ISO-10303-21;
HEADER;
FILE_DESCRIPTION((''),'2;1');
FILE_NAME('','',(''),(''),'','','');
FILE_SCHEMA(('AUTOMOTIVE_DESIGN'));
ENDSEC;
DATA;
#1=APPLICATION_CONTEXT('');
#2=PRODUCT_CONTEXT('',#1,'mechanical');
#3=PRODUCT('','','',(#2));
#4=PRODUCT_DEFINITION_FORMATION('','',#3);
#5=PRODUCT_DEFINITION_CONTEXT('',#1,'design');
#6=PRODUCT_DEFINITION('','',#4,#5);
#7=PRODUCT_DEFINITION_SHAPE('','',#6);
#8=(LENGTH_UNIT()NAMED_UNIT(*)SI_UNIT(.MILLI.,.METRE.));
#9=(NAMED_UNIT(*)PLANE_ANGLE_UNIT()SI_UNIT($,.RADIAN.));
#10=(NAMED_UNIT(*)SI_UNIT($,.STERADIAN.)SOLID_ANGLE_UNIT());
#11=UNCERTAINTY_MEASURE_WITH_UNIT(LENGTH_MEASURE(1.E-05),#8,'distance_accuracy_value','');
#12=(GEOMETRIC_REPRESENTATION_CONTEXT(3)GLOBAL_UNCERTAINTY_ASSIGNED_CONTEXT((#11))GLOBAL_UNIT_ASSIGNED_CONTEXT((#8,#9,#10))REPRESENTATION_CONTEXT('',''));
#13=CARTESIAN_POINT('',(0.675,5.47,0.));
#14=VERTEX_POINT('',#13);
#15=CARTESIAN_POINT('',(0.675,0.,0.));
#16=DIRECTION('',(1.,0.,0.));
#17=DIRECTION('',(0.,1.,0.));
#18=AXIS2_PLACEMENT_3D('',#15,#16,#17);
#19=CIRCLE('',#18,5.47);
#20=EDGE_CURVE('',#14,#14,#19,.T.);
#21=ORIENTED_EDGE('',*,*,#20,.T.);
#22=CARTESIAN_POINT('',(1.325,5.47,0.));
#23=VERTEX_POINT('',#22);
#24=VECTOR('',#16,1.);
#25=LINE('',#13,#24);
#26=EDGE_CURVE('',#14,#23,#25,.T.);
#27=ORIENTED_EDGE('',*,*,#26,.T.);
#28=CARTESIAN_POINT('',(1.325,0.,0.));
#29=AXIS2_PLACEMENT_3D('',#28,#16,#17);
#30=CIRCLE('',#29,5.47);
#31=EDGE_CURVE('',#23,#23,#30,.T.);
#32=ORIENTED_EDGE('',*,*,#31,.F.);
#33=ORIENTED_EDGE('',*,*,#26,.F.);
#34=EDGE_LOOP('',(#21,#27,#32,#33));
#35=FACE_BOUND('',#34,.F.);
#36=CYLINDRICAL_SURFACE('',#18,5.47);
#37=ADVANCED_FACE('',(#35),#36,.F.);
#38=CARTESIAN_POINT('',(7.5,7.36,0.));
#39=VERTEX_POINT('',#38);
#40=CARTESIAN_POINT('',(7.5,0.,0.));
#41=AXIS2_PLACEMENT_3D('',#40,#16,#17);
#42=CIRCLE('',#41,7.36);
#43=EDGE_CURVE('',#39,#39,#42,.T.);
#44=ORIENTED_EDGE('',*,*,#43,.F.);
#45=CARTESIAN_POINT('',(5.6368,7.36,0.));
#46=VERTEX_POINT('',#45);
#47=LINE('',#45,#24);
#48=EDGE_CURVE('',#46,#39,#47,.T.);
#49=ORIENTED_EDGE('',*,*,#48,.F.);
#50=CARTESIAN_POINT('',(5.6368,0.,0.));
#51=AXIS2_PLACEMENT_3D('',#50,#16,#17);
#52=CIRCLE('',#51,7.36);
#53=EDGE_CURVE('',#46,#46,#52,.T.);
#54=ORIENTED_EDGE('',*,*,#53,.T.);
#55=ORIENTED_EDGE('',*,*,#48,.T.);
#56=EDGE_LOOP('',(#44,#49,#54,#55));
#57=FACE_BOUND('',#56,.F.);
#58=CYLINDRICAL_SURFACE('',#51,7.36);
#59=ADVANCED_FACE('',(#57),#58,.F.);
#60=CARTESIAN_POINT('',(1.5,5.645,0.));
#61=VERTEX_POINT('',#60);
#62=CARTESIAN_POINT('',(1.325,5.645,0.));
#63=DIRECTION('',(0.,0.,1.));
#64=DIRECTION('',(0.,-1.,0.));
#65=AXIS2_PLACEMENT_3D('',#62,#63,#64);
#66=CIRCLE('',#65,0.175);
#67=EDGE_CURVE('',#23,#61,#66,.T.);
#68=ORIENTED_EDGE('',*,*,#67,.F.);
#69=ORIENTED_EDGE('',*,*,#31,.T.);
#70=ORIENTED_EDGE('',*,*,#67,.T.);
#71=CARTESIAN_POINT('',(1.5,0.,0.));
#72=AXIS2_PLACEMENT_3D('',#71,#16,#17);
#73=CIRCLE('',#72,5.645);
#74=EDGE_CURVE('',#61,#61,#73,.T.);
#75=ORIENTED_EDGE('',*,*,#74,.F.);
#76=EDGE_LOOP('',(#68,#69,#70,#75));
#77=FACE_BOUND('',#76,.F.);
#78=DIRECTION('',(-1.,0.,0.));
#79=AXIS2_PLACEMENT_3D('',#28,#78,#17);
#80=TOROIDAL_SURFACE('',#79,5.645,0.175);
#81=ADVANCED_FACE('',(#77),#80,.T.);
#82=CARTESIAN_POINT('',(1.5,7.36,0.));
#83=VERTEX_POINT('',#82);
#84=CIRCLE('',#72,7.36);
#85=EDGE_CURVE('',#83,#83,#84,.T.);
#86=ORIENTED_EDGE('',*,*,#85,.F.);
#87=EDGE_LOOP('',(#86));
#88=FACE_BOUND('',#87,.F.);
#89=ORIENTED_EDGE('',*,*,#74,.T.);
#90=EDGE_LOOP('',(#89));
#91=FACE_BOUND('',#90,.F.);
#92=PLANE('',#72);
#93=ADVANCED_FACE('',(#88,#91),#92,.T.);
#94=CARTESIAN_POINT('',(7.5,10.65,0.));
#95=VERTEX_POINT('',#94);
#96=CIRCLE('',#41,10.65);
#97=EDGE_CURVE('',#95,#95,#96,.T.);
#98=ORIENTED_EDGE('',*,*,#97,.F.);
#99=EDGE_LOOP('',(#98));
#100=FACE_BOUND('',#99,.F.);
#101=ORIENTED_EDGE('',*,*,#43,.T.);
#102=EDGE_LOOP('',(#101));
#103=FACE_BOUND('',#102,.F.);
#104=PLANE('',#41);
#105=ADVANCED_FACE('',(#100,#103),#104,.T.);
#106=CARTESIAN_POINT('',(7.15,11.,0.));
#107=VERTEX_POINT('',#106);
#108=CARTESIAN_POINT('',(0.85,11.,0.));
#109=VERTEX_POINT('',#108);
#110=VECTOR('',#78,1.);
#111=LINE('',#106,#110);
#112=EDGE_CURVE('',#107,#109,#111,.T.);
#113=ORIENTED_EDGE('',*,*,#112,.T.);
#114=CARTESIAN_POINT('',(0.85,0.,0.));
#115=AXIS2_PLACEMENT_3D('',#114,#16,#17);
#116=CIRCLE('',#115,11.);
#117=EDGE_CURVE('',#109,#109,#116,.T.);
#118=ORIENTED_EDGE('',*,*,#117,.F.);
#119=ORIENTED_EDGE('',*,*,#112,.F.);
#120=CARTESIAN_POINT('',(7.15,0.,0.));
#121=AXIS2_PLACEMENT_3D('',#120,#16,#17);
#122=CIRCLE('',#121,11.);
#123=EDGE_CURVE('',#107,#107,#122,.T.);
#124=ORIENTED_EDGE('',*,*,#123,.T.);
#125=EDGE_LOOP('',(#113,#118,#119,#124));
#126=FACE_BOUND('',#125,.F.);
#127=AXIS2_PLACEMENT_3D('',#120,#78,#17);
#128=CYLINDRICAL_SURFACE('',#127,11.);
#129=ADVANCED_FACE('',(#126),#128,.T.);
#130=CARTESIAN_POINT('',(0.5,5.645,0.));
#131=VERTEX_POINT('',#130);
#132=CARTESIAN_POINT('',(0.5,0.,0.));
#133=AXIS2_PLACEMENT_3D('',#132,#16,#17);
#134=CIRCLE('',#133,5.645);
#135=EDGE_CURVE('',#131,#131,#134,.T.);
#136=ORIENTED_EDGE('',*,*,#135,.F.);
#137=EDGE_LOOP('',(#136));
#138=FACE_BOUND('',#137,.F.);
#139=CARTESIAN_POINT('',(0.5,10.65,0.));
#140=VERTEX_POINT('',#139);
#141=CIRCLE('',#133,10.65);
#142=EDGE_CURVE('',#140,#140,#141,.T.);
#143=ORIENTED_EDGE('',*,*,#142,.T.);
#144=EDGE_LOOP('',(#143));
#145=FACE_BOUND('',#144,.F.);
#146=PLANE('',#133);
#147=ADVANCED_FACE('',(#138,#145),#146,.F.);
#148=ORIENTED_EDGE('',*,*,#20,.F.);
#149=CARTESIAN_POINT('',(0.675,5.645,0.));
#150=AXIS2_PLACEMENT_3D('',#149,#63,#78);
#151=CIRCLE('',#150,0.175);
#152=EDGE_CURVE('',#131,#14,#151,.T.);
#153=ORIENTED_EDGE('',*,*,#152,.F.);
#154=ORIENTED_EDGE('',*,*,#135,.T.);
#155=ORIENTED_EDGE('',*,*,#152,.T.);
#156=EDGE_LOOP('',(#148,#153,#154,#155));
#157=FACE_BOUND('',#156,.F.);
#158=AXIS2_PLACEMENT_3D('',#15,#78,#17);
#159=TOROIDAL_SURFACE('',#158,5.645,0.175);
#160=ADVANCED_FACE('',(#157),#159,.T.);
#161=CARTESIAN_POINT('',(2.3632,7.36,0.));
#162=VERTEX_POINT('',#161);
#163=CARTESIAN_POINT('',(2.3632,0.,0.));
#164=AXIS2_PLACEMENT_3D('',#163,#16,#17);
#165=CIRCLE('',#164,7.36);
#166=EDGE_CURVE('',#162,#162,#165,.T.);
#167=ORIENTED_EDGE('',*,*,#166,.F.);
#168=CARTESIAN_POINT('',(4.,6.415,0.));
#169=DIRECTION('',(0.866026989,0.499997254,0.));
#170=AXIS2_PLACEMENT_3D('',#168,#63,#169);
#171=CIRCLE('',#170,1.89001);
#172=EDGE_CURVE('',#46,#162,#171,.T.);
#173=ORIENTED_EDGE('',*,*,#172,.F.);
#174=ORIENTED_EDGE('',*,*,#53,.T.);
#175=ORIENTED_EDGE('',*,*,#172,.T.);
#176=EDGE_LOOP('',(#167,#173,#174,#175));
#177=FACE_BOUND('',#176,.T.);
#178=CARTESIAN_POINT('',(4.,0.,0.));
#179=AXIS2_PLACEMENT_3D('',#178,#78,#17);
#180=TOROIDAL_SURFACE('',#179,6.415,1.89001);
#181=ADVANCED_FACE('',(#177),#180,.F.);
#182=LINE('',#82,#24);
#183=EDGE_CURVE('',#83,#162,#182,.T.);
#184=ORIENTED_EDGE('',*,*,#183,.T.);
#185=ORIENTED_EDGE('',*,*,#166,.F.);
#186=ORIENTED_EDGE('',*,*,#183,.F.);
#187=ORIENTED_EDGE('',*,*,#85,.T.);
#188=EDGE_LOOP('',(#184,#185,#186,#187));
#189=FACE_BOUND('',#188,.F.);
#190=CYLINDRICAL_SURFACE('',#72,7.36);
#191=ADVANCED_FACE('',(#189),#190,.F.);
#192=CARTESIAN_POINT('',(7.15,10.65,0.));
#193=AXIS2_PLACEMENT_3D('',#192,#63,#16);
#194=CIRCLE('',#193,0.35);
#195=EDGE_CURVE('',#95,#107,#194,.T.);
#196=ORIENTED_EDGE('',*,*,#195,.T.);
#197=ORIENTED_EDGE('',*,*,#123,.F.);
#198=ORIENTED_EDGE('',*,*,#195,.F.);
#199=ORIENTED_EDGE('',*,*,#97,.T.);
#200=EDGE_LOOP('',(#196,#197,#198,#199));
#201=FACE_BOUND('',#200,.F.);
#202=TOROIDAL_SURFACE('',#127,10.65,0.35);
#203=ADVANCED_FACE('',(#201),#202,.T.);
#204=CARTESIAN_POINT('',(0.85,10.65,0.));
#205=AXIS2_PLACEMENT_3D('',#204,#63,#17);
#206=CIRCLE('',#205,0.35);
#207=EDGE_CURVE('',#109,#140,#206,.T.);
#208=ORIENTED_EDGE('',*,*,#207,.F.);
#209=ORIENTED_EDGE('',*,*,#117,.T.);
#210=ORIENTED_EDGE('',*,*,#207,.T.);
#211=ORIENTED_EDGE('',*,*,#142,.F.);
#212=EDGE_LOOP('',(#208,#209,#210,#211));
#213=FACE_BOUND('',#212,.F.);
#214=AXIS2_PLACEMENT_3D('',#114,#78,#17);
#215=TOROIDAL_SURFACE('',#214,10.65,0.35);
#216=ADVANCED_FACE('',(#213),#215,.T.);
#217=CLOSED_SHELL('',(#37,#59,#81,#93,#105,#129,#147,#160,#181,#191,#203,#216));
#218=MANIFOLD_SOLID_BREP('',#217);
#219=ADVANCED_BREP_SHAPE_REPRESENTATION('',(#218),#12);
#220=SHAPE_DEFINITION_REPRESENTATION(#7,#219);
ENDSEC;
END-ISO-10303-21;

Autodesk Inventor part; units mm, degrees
sketch "Sketch_2" plane through (0, 0, 0) normal (0, 0, 1) x (1, 0, 0)
  line L0 (7.15, 0) -> (0.85, 0)
  line L1 (0.5, 10.65) -> (0.5, 5.645)
  arc A0 (0.5, 5.645) -> (0.675, 5.47) centre (0.675, 5.645) ccw
  line L2 (0.675, 5.47) -> (1.325, 5.47)
  arc A1 (1.325, 5.47) -> (1.5, 5.645) centre (1.325, 5.645) ccw
  line L3 (1.5, 5.645) -> (1.5, 7.36)
  line L4 (1.5, 7.36) -> (2.3632, 7.36)
  arc A2 (5.6368, 7.36) -> (2.3632, 7.36) centre (4, 6.415) ccw
  line L5 (5.6368, 7.36) -> (7.5, 7.36)
  line L6 (7.5, 7.36) -> (7.5, 10.65)
  arc A3 (7.5, 10.65) -> (7.15, 11) centre (7.15, 10.65) ccw
  line L7 (7.15, 11) -> (0.85, 11)
  arc A4 (0.85, 11) -> (0.5, 10.65) centre (0.85, 10.65) ccw
revolve "Revolution1" add sketch "Sketch_2" angle 360 about axis through (7.15, 0, 0) along (1, 0, 0)
ref_plane "OR_Cage_XY" through (0, 0, 0) normal (1, 0, 0) x (0, 0, -1)
ref_plane "OR_Cage_YZ" through (0, 0, 0) normal (0, 0, -1) x (0, 1, 0)
ref_plane "OR_Cage_ZX" through (0, 0, 0) normal (0, 1, 0) x (1, 0, 0)
ref_plane "OR_IR_XY" through (0, 0, 0) normal (1, 0, 0) x (0, 0, -1)
ref_plane "OR_IR_YZ" through (0, 0, 0) normal (0, 0, -1) x (0, 1, 0)
ref_plane "OR_IR_ZX" through (0, 0, 0) normal (0, 1, 0) x (1, 0, 0)
ref_plane "OR_ball_1_XY" through (4, 6.415, 0) normal (1, 0, 0) x (0, 0, -1)
ref_plane "OR_ball_1_YZ" through (4, 6.415, 0) normal (0, 0, -1) x (0, 1, 0)
ref_plane "OR_ball_1_ZX" through (4, 6.415, 0) normal (0, 1, 0) x (1, 0, 0)
ref_plane "OR_ball_2_XY" through (4, 1.9823, 6.101) normal (1, 0, 0) x (0, 0, -1)
ref_plane "OR_ball_2_YZ" through (4, 1.9823, 6.101) normal (0, 0, -1) x (0, 1, 0)
ref_plane "OR_ball_2_ZX" through (4, 1.9823, 6.101) normal (0, 1, 0) x (1, 0, 0)
ref_plane "OR_ball_3_XY" through (4, -5.1898, 3.7706) normal (1, 0, 0) x (0, 0, -1)
ref_plane "OR_ball_3_YZ" through (4, -5.1898, 3.7706) normal (0, 0, -1) x (0, 1, 0)
ref_plane "OR_ball_3_ZX" through (4, -5.1898, 3.7706) normal (0, 1, 0) x (1, 0, 0)
ref_plane "OR_ball_4_XY" through (4, -5.1898, -3.7706) normal (1, 0, 0) x (0, 0, -1)
ref_plane "OR_ball_4_YZ" through (4, -5.1898, -3.7706) normal (0, 0, -1) x (0, 1, 0)
ref_plane "OR_ball_4_ZX" through (4, -5.1898, -3.7706) normal (0, 1, 0) x (1, 0, 0)
ref_plane "OR_ball_5_XY" through (4, 1.9823, -6.101) normal (1, 0, 0) x (0, 0, -1)
ref_plane "OR_ball_5_YZ" through (4, 1.9823, -6.101) normal (0, 0, -1) x (0, 1, 0)
ref_plane "OR_ball_5_ZX" through (4, 1.9823, -6.101) normal (0, 1, 0) x (1, 0, 0)
properties part number "040400DR-22-H4W(0.5)3_or"
